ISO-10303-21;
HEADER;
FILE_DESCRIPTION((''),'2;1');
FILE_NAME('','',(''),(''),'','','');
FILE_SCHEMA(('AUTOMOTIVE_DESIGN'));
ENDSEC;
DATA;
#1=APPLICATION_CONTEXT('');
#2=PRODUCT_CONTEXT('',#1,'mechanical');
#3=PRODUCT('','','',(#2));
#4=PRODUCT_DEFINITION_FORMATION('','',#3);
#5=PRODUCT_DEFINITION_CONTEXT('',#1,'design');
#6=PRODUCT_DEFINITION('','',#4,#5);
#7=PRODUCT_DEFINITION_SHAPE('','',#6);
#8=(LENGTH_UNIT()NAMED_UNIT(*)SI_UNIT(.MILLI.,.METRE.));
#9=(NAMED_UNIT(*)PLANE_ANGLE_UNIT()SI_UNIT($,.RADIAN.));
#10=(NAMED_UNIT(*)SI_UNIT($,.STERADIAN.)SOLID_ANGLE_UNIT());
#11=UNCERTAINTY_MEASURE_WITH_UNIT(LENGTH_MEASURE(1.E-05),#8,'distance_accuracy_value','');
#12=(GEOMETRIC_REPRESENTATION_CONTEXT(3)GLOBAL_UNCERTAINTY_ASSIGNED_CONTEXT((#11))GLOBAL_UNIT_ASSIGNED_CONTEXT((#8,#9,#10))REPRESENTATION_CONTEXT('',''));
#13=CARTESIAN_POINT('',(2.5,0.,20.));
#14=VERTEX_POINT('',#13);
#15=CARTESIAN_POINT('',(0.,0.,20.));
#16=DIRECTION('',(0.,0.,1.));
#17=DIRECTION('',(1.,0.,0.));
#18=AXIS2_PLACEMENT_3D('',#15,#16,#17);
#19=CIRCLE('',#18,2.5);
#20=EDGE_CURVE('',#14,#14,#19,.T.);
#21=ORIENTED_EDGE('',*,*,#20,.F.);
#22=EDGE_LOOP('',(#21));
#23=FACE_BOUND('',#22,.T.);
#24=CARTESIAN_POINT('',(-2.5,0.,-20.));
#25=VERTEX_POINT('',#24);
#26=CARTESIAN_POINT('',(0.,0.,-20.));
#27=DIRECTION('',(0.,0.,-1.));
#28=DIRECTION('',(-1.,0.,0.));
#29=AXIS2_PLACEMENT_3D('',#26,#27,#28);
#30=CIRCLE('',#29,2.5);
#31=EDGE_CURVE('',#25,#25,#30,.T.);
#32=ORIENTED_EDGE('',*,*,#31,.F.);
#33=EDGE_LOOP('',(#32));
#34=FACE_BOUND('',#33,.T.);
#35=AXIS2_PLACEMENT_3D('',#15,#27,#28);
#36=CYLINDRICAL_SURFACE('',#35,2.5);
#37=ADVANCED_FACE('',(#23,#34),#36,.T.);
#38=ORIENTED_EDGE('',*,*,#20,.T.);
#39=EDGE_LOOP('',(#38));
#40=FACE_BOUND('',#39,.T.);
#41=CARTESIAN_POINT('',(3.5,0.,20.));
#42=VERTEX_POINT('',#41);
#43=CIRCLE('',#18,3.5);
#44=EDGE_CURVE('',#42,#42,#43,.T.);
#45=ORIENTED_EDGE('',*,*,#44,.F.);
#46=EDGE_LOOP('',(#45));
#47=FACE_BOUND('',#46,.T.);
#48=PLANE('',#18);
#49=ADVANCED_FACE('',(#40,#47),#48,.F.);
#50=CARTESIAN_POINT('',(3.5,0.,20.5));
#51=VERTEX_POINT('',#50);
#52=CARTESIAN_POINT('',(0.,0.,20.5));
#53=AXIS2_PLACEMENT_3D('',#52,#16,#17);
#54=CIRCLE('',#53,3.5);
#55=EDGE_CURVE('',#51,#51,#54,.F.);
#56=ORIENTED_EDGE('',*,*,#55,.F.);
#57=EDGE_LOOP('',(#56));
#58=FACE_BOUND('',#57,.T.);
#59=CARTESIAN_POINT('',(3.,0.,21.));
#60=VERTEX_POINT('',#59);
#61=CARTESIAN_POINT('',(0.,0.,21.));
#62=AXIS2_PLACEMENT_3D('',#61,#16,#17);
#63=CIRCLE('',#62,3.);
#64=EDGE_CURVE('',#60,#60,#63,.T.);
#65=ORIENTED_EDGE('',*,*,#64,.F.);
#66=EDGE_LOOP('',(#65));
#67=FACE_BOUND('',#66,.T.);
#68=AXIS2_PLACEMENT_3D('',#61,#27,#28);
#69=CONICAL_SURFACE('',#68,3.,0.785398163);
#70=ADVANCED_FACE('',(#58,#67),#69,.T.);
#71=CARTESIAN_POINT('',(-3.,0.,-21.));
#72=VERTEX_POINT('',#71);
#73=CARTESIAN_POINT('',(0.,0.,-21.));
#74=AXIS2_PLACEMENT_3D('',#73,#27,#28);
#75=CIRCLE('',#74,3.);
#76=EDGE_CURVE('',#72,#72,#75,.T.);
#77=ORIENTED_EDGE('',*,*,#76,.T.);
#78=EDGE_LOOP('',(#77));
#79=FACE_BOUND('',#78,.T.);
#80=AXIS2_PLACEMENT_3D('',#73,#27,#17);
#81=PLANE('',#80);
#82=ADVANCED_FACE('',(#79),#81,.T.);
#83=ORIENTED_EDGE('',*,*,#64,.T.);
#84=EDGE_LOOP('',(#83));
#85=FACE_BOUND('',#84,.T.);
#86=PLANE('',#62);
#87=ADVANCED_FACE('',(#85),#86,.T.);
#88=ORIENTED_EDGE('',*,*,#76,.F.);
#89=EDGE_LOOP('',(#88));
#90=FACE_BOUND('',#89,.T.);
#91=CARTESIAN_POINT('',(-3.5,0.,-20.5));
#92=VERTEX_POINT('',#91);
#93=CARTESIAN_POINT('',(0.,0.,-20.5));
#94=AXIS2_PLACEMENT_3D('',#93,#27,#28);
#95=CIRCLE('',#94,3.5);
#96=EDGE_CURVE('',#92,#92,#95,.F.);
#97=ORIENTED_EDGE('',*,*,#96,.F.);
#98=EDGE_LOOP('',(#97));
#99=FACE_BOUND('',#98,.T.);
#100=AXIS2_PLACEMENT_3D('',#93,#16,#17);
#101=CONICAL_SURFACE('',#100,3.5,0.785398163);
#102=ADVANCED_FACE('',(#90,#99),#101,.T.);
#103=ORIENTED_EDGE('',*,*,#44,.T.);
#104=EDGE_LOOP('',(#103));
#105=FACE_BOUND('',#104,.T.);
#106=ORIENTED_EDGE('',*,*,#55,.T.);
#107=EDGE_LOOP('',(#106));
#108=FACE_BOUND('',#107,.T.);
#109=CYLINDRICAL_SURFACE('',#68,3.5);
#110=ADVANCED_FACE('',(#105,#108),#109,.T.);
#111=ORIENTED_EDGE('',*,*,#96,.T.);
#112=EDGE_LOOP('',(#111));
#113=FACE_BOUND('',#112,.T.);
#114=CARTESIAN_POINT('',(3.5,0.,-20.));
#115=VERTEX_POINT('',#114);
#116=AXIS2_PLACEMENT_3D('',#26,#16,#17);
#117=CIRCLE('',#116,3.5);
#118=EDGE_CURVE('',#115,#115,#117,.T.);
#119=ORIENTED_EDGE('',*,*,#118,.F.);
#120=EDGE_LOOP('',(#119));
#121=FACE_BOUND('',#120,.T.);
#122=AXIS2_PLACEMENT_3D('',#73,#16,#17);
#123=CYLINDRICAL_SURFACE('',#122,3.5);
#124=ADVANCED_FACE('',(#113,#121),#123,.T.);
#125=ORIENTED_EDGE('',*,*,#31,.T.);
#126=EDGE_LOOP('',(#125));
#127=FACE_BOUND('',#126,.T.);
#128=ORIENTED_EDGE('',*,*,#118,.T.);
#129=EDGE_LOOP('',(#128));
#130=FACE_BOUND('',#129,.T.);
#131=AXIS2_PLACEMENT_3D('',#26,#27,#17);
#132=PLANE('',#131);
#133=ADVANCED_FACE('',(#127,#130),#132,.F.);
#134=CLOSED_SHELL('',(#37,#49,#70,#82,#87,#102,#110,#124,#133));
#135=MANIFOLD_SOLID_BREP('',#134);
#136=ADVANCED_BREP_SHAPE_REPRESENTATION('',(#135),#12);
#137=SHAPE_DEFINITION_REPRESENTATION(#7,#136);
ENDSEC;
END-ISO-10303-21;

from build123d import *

# Parameters (mm, degrees)
SKETCH1_R           = 2.5
BOSS_EXTRUDE1_DEPTH = 20
SKETCH2_R           = 3.5
BOSS_EXTRUDE2_DEPTH = 1
CHAMFER1_SIZE       = 0.5


with BuildPart() as part:
    # Sketch1 → Boss-Extrude1 (new body, symmetric)
    with BuildSketch(Plane.XY):
        Circle(SKETCH1_R)
    extrude(amount=BOSS_EXTRUDE1_DEPTH, both=True)

    # Sketch2 → Boss-Extrude2 (add)
    with BuildSketch(Plane.XY.offset(20)):
        Circle(SKETCH2_R)
    boss_extrude2 = extrude(amount=BOSS_EXTRUDE2_DEPTH)

    # Mirror1: Boss-Extrude2 across plane
    add(boss_extrude2.mirror(Plane.XY))

    # Chamfer1
    chamfer1_edges = [part.edges().sort_by_distance(p)[0] for p in [
        (-3.5, 0, 21),
        (-3.5, 0, -21),
    ]]
    chamfer(chamfer1_edges, length=CHAMFER1_SIZE)


solid = part.part
